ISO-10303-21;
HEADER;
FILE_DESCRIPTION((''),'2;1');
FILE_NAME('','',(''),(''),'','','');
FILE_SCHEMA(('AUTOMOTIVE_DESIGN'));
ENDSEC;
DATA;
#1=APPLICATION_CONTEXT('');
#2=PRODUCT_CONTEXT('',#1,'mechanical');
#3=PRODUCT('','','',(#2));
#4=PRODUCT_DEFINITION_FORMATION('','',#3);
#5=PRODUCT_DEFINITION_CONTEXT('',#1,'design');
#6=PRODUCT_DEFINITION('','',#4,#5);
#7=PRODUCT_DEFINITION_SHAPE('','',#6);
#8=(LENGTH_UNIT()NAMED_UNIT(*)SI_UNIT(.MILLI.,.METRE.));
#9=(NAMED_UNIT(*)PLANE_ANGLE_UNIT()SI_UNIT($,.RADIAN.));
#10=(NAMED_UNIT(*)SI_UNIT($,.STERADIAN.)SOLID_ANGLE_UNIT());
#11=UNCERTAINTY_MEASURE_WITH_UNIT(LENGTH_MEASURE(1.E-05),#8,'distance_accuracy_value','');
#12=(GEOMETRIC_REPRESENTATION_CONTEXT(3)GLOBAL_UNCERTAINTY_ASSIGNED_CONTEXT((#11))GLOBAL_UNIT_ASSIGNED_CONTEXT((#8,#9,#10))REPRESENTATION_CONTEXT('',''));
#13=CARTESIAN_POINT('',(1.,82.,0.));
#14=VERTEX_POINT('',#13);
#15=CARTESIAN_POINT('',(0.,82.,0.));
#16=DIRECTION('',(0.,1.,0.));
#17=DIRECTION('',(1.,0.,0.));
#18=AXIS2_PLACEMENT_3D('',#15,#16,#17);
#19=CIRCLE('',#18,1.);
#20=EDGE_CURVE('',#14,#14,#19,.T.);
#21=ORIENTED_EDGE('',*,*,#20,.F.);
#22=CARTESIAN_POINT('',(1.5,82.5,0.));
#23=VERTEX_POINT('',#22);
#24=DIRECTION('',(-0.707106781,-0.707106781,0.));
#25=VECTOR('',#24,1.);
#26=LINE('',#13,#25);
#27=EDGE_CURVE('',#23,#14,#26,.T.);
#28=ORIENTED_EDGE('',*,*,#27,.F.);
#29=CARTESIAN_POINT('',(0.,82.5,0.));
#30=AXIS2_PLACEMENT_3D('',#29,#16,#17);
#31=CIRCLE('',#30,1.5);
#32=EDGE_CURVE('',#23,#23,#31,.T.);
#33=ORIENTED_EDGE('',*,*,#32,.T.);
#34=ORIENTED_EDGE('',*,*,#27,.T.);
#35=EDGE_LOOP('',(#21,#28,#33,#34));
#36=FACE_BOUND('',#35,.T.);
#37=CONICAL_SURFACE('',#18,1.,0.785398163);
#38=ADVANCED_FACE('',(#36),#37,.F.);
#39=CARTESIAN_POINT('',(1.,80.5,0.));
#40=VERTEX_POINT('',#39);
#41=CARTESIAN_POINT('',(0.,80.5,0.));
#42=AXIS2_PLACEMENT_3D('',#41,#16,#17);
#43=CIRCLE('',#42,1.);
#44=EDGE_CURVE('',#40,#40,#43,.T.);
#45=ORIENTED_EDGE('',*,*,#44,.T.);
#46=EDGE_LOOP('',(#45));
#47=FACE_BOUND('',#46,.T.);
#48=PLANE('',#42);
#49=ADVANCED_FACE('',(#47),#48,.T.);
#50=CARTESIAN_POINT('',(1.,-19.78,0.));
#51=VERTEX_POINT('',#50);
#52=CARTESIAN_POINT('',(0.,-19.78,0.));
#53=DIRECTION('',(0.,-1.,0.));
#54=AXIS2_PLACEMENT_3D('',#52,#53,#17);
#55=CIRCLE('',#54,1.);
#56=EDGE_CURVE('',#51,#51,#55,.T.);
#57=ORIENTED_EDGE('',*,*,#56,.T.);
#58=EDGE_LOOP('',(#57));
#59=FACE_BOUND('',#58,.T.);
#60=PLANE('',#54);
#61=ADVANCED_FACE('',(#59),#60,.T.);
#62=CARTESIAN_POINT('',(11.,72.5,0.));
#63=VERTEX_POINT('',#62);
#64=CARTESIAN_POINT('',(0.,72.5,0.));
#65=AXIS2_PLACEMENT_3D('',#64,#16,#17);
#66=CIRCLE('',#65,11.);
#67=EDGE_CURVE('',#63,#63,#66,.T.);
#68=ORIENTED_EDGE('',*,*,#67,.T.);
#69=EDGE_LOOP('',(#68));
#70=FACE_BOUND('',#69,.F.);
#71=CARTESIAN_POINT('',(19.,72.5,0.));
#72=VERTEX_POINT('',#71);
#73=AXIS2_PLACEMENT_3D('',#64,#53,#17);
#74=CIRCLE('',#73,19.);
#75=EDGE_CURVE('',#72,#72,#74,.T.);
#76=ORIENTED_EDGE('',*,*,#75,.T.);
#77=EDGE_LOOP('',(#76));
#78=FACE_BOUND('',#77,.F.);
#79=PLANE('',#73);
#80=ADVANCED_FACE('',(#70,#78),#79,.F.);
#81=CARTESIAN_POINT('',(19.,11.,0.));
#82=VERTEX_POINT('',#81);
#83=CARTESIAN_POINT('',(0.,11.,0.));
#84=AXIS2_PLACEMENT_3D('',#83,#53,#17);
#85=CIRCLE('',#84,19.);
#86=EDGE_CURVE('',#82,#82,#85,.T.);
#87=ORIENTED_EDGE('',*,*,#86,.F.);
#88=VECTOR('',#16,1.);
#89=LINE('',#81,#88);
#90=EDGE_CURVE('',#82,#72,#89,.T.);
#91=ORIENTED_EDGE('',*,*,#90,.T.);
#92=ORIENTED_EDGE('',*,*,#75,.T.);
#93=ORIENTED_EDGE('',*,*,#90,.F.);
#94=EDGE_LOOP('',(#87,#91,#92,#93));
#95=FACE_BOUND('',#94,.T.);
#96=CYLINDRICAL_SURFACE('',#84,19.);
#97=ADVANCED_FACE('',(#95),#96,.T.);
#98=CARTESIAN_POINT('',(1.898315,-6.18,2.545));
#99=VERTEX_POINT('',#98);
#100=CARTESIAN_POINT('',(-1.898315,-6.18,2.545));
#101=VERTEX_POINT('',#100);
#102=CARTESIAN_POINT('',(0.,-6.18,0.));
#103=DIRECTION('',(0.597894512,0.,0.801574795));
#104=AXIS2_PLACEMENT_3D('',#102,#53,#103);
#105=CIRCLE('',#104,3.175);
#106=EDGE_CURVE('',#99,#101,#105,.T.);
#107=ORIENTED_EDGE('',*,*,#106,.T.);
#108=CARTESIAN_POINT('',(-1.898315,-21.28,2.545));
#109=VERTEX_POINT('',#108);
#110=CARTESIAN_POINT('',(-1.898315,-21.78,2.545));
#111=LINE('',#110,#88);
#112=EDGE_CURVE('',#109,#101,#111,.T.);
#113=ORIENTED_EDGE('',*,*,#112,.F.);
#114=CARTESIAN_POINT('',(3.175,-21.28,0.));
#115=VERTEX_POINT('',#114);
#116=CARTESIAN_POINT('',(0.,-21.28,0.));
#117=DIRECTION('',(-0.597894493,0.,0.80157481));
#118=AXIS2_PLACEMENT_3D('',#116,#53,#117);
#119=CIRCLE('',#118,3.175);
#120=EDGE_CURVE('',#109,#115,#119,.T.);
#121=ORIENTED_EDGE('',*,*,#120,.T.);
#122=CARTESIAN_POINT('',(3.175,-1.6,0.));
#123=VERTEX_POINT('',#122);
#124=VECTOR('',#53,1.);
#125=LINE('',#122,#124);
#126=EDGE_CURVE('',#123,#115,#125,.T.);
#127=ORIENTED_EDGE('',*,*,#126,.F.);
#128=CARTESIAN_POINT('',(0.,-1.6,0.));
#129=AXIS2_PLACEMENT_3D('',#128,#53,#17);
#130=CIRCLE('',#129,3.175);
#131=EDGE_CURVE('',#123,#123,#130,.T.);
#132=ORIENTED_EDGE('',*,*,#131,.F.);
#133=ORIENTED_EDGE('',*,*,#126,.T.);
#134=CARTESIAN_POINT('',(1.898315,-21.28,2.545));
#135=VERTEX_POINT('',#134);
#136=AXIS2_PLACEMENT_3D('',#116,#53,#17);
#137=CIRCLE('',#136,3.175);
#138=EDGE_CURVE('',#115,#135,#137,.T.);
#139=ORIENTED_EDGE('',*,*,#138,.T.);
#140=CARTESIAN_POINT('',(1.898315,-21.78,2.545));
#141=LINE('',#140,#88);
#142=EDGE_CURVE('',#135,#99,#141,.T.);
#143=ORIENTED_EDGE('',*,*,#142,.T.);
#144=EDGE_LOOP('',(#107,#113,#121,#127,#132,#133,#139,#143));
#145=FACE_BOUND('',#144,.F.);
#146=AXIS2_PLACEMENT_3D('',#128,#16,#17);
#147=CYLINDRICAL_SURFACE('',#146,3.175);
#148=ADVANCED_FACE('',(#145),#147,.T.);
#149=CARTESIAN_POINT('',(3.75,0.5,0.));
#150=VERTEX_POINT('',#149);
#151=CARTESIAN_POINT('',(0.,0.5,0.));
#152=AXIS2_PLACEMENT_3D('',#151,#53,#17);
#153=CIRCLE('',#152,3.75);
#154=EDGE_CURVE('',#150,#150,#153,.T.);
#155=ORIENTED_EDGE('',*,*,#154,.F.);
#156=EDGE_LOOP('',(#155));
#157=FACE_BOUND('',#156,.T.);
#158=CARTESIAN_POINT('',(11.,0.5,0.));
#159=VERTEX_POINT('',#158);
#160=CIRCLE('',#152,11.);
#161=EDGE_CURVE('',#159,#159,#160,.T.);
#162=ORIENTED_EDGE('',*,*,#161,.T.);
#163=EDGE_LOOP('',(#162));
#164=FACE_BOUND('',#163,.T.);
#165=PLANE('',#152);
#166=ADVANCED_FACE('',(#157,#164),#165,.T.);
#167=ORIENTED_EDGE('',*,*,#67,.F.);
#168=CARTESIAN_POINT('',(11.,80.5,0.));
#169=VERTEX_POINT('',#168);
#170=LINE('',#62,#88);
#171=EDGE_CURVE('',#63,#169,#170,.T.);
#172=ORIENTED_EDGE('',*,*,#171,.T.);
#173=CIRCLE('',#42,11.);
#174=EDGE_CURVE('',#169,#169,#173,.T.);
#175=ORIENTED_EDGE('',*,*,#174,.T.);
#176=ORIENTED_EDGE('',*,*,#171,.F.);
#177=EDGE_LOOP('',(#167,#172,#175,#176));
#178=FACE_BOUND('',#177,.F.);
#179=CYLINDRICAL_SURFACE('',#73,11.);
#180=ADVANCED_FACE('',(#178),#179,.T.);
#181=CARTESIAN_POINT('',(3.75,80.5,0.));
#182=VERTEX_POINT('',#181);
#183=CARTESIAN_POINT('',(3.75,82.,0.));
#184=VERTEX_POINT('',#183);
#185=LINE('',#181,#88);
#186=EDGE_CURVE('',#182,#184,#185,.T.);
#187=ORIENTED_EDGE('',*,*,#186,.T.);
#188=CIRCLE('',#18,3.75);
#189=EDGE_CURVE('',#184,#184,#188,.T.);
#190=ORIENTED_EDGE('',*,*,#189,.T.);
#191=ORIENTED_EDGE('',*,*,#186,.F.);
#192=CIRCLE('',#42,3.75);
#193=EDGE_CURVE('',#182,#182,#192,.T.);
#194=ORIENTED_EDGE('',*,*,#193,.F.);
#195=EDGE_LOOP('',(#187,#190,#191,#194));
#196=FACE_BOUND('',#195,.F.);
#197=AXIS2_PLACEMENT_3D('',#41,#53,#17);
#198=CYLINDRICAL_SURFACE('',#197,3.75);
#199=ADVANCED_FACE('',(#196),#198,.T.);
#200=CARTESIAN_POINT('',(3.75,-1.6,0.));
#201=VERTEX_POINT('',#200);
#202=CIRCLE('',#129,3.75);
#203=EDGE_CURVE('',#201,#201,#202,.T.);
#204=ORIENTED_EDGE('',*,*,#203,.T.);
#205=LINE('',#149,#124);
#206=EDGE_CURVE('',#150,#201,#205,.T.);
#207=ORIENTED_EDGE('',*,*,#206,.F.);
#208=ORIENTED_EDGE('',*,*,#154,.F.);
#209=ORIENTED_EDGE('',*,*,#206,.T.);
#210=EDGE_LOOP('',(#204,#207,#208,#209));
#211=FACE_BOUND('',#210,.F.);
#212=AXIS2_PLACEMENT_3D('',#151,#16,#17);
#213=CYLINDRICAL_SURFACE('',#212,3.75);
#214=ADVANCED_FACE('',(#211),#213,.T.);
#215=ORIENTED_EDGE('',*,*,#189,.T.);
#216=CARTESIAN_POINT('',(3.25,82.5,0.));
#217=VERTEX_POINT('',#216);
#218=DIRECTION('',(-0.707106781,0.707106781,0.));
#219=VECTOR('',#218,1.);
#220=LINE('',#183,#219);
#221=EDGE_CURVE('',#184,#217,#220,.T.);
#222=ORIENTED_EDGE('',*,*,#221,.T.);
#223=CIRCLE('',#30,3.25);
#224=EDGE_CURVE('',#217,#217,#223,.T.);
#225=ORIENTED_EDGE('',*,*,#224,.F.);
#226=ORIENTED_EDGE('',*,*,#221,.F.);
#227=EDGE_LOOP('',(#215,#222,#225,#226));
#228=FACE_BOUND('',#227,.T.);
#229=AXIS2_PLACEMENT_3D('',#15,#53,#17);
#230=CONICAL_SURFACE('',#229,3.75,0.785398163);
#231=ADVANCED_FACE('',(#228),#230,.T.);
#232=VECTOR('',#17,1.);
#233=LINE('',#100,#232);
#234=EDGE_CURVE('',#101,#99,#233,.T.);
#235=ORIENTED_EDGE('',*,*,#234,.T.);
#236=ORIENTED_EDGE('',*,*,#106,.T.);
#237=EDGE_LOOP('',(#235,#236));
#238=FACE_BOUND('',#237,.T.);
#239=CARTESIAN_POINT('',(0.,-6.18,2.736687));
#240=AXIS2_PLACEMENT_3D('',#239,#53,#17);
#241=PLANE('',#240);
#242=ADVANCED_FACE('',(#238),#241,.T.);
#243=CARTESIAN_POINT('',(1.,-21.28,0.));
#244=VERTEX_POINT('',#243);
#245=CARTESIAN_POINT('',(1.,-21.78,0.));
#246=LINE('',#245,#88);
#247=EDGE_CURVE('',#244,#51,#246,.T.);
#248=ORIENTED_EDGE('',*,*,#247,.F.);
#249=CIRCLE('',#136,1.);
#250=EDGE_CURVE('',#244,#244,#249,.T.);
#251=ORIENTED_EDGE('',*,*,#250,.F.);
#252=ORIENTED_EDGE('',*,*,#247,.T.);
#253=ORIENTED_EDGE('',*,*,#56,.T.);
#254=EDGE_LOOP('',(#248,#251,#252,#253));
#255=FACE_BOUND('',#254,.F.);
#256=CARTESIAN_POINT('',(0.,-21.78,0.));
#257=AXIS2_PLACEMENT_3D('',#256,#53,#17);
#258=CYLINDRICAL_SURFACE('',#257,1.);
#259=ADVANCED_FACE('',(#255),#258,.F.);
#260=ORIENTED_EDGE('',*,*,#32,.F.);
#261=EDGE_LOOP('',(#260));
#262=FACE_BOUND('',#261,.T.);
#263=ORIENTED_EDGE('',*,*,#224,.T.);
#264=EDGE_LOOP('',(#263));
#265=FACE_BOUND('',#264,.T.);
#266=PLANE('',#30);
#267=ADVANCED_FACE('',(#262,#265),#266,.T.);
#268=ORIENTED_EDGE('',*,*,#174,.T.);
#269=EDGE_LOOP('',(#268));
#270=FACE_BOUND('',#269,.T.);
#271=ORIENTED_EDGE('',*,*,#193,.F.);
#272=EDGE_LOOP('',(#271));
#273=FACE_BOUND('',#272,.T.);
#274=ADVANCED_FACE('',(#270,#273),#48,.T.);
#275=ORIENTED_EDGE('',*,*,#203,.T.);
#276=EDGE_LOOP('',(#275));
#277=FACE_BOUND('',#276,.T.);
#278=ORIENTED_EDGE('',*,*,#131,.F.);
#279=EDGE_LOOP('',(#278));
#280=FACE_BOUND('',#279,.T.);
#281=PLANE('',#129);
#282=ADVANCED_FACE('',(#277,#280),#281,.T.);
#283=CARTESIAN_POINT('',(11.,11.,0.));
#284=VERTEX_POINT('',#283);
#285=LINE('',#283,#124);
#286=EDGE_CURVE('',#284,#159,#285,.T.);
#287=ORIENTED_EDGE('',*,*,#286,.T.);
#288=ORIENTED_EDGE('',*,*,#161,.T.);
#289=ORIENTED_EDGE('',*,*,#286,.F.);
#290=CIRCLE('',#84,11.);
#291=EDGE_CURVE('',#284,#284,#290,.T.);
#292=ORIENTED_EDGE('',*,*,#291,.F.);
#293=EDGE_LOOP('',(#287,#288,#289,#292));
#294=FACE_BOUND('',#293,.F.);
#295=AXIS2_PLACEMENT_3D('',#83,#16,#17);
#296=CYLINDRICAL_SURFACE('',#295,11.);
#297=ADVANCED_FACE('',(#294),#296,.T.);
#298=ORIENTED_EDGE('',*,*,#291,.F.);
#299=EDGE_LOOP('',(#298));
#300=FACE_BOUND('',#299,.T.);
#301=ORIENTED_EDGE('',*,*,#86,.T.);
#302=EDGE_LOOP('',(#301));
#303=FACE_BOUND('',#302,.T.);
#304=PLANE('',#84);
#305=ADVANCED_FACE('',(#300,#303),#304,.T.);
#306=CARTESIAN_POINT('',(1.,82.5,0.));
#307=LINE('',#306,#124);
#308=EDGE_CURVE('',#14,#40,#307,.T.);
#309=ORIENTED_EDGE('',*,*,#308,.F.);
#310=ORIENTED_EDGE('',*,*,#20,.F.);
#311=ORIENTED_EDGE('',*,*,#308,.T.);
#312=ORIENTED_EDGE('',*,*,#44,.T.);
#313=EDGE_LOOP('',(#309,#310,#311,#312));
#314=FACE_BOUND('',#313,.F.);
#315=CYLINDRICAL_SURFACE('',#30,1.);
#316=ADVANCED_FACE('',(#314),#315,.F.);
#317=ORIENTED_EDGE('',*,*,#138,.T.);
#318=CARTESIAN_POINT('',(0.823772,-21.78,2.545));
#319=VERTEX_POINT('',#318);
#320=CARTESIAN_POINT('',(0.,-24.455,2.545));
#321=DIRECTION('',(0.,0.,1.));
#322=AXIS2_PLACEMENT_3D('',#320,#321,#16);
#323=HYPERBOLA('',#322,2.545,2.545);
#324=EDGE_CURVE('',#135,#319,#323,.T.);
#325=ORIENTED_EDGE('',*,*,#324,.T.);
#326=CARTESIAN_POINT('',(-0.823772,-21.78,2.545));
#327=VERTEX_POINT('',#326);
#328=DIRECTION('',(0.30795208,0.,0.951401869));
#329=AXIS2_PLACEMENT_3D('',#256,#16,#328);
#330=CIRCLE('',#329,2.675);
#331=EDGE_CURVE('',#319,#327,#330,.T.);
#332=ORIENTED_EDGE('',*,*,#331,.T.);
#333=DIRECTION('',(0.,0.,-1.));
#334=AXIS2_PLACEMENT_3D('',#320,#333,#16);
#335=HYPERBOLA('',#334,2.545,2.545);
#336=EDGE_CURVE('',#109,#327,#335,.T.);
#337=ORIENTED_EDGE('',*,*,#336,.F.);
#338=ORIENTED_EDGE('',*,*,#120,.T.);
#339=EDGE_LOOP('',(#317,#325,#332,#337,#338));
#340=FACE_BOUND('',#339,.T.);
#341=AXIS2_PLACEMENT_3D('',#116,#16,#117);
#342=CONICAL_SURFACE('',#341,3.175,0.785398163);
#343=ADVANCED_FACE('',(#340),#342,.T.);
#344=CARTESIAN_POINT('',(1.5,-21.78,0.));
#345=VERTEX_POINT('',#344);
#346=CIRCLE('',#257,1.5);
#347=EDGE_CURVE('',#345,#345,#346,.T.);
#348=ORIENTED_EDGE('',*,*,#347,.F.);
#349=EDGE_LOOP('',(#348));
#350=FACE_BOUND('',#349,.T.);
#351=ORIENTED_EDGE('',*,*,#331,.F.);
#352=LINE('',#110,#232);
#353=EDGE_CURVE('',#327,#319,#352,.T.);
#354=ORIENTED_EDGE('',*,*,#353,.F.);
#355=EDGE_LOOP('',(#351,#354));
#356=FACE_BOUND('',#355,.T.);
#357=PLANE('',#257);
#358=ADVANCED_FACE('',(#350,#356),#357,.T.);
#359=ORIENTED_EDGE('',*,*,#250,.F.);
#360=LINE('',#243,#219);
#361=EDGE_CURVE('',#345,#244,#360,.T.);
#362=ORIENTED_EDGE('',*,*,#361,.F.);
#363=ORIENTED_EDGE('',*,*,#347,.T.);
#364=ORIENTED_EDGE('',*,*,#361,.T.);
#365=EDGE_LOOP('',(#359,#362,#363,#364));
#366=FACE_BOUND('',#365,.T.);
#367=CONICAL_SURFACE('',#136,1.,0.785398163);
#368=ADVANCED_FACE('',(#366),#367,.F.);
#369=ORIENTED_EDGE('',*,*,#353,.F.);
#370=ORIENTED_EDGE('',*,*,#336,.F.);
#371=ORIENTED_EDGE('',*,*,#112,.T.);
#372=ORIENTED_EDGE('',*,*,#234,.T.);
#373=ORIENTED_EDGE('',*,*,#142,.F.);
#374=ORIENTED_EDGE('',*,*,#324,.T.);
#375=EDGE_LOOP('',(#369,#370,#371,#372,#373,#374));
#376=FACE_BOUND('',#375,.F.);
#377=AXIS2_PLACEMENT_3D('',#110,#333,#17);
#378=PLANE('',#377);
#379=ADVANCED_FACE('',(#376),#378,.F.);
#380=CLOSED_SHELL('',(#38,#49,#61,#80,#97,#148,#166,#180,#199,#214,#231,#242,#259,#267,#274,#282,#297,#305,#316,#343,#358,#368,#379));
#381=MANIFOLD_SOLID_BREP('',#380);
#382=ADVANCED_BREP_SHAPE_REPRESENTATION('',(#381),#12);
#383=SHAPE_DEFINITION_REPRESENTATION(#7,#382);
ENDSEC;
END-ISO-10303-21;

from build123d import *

# Parameters (mm, degrees)
SKETCH025_R     = 19
PAD012_DEPTH    = 61.5
SKETCH026_R     = 11
PAD013_DEPTH    = 10.5
SKETCH027_R     = 11
PAD014_DEPTH    = 8
SKETCH028_R     = 3.75
PAD015_DEPTH    = 2
SKETCH029_R     = 1
POCKET011_DEPTH = 2
CHAMFER002_SIZE = 0.5
SKETCH030_R     = 3.75
PAD016_DEPTH    = 2.1
SKETCH031_R     = 3.175
PAD017_DEPTH    = 20.18
POCKET012_DEPTH = 15.6
SKETCH033_R     = 1
POCKET013_DEPTH = 2
CHAMFER003_SIZE = 0.5


with BuildPart() as part:
    # Sketch025 → Pad012 (new body)
    with BuildSketch(Plane.XZ):
        Circle(SKETCH025_R)
    extrude(amount=-PAD012_DEPTH)

    # Sketch026 (on Face2 of Pad012) → Pad013 (join)
    with BuildSketch(Plane.XZ):
        Circle(SKETCH026_R)
    extrude(amount=PAD013_DEPTH)

    # Sketch027 (on Face3 of Pad013) → Pad014 (join)
    with BuildSketch(Plane(origin=(0, 61.5, 0), x_dir=(1, 0, 0), z_dir=(0, 1, 0))):
        Circle(SKETCH027_R)
    extrude(amount=PAD014_DEPTH)

    # Sketch028 (on Face7 of Pad014) → Pad015 (join)
    with BuildSketch(Plane(origin=(0, 69.5, 0), x_dir=(1, 0, 0), z_dir=(0, 1, 0))):
        Circle(SKETCH028_R)
    extrude(amount=PAD015_DEPTH)

    # Sketch029 (on Face9 of Pad015) → Pocket011 (cut)
    with BuildSketch(Plane(origin=(0, 71.5, 0), x_dir=(1, 0, 0), z_dir=(0, 1, 0))):
        Circle(SKETCH029_R)
    extrude(amount=-POCKET011_DEPTH, mode=Mode.SUBTRACT)

    # Chamfer002
    chamfer002_edges = [part.edges().sort_by_distance(p)[0] for p in [
        (-3.75, 71.5, 0),
        (-1, 71.5, 0),
    ]]
    chamfer(chamfer002_edges, length=CHAMFER002_SIZE)

    # Sketch030 (on Face13 of Chamfer002) → Pad016 (join)
    with BuildSketch(Plane.XZ.offset(10.5)):
        Circle(SKETCH030_R)
    extrude(amount=PAD016_DEPTH)

    # Sketch031 (on Face15 of Pad016) → Pad017 (join)
    with BuildSketch(Plane.XZ.offset(12.6)):
        Circle(SKETCH031_R)
    extrude(amount=PAD017_DEPTH)

    # Sketch032 (on Face17 of Pad017) → Pocket012 (cut)
    with BuildSketch(Plane.XZ.offset(32.78)):
        with BuildLine():
            Line((-1.898315, 2.545), (1.898315, 2.545))
            ThreePointArc((1.898315, 2.545), (0, 3.175), (-1.898315, 2.545))
        make_face()
    extrude(amount=-POCKET012_DEPTH, mode=Mode.SUBTRACT)

    # Sketch033 (on Face17 of Pocket012) → Pocket013 (cut)
    with BuildSketch(Plane.XZ.offset(32.78)):
        Circle(SKETCH033_R)
    extrude(amount=-POCKET013_DEPTH, mode=Mode.SUBTRACT)

    # Chamfer003
    chamfer003_edges = [part.edges().sort_by_distance(p)[0] for p in [
        (-1, -32.78, 0),
        (-1.423635, -32.78, -2.837937),
        (2.837937, -32.78, 1.423635),
    ]]
    chamfer(chamfer003_edges, length=CHAMFER003_SIZE)


with BuildPart() as part_1:
    # Body010 placement: moved
    add(part.part.moved(Location((0, 11, 0))))


solid = part_1.part
